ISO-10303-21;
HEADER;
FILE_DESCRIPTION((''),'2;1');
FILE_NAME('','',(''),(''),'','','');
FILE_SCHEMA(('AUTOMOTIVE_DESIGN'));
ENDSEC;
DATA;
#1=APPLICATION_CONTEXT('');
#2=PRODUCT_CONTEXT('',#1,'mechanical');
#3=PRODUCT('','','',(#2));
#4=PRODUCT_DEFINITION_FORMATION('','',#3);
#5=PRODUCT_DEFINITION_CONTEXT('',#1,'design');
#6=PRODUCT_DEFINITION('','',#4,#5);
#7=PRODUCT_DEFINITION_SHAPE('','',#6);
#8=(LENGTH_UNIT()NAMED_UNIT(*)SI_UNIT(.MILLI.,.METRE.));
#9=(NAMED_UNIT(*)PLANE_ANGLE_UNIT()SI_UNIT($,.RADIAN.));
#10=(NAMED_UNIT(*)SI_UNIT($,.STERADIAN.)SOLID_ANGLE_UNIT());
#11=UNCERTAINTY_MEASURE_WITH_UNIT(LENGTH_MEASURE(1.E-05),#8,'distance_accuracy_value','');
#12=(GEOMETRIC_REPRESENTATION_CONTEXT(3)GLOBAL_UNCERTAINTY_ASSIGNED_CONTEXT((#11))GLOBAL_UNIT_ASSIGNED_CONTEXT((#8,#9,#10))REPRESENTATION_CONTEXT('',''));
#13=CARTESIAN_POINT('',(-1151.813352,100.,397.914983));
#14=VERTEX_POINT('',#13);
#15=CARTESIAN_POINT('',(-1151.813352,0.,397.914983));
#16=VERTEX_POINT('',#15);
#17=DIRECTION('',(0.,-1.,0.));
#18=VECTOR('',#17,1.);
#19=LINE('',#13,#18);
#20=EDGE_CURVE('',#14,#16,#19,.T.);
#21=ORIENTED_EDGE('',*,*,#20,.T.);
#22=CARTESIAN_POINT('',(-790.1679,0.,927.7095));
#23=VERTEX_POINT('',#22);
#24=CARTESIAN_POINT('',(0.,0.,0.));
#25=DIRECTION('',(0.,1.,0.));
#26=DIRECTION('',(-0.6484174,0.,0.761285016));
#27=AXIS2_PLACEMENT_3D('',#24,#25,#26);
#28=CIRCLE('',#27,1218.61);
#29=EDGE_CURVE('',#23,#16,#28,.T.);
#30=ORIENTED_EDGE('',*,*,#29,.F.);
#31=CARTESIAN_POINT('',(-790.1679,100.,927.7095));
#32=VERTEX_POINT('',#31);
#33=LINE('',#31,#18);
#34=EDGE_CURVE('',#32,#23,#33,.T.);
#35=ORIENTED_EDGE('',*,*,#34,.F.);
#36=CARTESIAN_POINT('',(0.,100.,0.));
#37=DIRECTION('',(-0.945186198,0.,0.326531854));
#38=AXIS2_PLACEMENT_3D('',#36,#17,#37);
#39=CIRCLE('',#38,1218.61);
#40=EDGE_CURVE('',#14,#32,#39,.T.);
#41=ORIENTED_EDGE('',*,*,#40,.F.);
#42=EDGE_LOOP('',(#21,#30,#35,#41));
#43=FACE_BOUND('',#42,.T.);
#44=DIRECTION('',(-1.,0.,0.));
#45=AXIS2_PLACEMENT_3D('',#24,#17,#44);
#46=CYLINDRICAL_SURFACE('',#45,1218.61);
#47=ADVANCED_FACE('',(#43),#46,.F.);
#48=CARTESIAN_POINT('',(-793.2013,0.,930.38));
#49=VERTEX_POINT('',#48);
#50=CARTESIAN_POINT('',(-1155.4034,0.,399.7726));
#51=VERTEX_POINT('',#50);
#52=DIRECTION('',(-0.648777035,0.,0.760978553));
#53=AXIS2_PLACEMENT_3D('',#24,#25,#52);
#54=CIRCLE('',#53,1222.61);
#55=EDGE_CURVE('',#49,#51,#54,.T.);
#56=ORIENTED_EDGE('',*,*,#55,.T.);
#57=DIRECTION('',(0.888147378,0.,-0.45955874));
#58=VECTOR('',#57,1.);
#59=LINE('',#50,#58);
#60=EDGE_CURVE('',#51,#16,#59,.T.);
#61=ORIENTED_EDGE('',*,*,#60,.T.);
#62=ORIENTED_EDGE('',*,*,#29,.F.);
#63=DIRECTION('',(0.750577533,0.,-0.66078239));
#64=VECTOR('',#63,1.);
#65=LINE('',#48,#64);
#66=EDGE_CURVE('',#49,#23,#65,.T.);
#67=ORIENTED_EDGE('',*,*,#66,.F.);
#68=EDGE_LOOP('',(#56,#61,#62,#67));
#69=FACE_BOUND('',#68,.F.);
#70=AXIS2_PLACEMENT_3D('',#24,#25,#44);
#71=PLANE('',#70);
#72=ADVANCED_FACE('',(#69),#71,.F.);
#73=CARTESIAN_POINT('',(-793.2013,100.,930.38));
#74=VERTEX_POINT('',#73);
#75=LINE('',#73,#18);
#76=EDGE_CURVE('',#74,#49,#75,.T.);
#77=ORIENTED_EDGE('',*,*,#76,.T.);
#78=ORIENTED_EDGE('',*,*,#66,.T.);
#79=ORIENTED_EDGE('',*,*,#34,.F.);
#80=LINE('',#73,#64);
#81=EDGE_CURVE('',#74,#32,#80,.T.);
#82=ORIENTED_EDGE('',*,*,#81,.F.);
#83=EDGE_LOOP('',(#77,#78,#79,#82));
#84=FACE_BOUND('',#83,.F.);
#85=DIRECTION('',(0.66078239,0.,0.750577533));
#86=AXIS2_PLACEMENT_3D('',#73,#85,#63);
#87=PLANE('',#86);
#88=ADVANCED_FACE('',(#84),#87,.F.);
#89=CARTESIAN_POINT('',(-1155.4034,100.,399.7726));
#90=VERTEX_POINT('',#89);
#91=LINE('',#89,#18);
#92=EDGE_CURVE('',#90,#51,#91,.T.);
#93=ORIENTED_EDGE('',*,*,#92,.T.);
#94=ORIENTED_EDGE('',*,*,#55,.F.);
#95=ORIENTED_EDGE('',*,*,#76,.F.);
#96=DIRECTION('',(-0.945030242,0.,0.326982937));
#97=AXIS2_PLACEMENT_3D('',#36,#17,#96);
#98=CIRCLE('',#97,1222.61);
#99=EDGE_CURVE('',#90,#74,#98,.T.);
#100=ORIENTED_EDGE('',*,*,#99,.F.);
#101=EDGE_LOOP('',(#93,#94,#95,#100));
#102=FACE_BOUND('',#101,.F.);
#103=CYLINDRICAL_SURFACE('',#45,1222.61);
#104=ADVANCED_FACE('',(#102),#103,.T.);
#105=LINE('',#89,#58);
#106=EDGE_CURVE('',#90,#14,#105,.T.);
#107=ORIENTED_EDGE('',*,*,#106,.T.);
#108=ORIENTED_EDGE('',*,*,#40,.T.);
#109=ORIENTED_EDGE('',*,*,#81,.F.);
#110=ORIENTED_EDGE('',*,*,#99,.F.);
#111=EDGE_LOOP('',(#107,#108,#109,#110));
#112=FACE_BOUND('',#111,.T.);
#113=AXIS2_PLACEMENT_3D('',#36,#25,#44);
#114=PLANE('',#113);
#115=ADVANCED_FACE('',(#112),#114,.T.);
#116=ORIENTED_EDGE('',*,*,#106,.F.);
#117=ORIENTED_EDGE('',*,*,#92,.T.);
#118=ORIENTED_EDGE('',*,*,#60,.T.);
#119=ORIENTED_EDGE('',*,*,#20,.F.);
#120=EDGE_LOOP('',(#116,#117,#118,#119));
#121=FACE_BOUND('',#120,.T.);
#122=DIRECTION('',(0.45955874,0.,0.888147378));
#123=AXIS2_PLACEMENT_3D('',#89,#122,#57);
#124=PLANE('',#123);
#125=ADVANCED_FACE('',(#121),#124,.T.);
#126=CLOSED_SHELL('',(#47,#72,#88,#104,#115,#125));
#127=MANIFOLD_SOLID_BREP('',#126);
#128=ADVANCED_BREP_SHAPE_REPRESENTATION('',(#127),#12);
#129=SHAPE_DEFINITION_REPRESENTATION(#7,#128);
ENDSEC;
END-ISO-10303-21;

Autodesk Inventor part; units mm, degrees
ref_plane "YZ Plane" through (0, 0, 0) normal (1, 0, 0) x (0, 1, 0)
ref_plane "XZ Plane" through (0, 0, 0) normal (0, 1, 0) x (-1, 0, 0)
ref_plane "XY Plane" through (0, 0, 0) normal (0, 0, 1) x (1, 0, 0)
sketch "Sketch1" plane through (0, 0, 0) normal (0, 1, 0) x (-1, 0, 0)
  circle A0 centre (0, 0) radius 1218.61
  circle A1 centre (0, 0) radius 1222.61
  dimension "d8" = 2437.22
  dimension "d9" = 2445.22
extrude "Extrusion1" add sketch "Sketch1" along normal blind 100
sketch "Sketch2" plane through (0, 100, 0) normal (0, 1, 0) x (1, 0, 0)
  line L0 (-1151.8101, -397.9133) -> (-847.1895, -240.286) projected
  line L1 (-532.3767, -700.7595) -> (-789.8087, -927.3932) projected
  circle A0 centre (0, 0) radius 1222.61 projected
  line L2 (-1155.4034, -399.7726) -> (-1151.8101, -397.9133)
  circle A1 centre (0, 0) radius 1218.61 projected
  line L3 (-793.2013, -930.38) -> (-790.1679, -927.7095)
  point P0 (-1151.8134, -397.915)
extrude "Extrusion2" cut sketch "Sketch2" against normal blind 100 contours L2 A1 L3 A0 picked at (-1147.6869, -413.0424)
properties part number "Edge Band - Platform E" material "Wood (Birch)"
